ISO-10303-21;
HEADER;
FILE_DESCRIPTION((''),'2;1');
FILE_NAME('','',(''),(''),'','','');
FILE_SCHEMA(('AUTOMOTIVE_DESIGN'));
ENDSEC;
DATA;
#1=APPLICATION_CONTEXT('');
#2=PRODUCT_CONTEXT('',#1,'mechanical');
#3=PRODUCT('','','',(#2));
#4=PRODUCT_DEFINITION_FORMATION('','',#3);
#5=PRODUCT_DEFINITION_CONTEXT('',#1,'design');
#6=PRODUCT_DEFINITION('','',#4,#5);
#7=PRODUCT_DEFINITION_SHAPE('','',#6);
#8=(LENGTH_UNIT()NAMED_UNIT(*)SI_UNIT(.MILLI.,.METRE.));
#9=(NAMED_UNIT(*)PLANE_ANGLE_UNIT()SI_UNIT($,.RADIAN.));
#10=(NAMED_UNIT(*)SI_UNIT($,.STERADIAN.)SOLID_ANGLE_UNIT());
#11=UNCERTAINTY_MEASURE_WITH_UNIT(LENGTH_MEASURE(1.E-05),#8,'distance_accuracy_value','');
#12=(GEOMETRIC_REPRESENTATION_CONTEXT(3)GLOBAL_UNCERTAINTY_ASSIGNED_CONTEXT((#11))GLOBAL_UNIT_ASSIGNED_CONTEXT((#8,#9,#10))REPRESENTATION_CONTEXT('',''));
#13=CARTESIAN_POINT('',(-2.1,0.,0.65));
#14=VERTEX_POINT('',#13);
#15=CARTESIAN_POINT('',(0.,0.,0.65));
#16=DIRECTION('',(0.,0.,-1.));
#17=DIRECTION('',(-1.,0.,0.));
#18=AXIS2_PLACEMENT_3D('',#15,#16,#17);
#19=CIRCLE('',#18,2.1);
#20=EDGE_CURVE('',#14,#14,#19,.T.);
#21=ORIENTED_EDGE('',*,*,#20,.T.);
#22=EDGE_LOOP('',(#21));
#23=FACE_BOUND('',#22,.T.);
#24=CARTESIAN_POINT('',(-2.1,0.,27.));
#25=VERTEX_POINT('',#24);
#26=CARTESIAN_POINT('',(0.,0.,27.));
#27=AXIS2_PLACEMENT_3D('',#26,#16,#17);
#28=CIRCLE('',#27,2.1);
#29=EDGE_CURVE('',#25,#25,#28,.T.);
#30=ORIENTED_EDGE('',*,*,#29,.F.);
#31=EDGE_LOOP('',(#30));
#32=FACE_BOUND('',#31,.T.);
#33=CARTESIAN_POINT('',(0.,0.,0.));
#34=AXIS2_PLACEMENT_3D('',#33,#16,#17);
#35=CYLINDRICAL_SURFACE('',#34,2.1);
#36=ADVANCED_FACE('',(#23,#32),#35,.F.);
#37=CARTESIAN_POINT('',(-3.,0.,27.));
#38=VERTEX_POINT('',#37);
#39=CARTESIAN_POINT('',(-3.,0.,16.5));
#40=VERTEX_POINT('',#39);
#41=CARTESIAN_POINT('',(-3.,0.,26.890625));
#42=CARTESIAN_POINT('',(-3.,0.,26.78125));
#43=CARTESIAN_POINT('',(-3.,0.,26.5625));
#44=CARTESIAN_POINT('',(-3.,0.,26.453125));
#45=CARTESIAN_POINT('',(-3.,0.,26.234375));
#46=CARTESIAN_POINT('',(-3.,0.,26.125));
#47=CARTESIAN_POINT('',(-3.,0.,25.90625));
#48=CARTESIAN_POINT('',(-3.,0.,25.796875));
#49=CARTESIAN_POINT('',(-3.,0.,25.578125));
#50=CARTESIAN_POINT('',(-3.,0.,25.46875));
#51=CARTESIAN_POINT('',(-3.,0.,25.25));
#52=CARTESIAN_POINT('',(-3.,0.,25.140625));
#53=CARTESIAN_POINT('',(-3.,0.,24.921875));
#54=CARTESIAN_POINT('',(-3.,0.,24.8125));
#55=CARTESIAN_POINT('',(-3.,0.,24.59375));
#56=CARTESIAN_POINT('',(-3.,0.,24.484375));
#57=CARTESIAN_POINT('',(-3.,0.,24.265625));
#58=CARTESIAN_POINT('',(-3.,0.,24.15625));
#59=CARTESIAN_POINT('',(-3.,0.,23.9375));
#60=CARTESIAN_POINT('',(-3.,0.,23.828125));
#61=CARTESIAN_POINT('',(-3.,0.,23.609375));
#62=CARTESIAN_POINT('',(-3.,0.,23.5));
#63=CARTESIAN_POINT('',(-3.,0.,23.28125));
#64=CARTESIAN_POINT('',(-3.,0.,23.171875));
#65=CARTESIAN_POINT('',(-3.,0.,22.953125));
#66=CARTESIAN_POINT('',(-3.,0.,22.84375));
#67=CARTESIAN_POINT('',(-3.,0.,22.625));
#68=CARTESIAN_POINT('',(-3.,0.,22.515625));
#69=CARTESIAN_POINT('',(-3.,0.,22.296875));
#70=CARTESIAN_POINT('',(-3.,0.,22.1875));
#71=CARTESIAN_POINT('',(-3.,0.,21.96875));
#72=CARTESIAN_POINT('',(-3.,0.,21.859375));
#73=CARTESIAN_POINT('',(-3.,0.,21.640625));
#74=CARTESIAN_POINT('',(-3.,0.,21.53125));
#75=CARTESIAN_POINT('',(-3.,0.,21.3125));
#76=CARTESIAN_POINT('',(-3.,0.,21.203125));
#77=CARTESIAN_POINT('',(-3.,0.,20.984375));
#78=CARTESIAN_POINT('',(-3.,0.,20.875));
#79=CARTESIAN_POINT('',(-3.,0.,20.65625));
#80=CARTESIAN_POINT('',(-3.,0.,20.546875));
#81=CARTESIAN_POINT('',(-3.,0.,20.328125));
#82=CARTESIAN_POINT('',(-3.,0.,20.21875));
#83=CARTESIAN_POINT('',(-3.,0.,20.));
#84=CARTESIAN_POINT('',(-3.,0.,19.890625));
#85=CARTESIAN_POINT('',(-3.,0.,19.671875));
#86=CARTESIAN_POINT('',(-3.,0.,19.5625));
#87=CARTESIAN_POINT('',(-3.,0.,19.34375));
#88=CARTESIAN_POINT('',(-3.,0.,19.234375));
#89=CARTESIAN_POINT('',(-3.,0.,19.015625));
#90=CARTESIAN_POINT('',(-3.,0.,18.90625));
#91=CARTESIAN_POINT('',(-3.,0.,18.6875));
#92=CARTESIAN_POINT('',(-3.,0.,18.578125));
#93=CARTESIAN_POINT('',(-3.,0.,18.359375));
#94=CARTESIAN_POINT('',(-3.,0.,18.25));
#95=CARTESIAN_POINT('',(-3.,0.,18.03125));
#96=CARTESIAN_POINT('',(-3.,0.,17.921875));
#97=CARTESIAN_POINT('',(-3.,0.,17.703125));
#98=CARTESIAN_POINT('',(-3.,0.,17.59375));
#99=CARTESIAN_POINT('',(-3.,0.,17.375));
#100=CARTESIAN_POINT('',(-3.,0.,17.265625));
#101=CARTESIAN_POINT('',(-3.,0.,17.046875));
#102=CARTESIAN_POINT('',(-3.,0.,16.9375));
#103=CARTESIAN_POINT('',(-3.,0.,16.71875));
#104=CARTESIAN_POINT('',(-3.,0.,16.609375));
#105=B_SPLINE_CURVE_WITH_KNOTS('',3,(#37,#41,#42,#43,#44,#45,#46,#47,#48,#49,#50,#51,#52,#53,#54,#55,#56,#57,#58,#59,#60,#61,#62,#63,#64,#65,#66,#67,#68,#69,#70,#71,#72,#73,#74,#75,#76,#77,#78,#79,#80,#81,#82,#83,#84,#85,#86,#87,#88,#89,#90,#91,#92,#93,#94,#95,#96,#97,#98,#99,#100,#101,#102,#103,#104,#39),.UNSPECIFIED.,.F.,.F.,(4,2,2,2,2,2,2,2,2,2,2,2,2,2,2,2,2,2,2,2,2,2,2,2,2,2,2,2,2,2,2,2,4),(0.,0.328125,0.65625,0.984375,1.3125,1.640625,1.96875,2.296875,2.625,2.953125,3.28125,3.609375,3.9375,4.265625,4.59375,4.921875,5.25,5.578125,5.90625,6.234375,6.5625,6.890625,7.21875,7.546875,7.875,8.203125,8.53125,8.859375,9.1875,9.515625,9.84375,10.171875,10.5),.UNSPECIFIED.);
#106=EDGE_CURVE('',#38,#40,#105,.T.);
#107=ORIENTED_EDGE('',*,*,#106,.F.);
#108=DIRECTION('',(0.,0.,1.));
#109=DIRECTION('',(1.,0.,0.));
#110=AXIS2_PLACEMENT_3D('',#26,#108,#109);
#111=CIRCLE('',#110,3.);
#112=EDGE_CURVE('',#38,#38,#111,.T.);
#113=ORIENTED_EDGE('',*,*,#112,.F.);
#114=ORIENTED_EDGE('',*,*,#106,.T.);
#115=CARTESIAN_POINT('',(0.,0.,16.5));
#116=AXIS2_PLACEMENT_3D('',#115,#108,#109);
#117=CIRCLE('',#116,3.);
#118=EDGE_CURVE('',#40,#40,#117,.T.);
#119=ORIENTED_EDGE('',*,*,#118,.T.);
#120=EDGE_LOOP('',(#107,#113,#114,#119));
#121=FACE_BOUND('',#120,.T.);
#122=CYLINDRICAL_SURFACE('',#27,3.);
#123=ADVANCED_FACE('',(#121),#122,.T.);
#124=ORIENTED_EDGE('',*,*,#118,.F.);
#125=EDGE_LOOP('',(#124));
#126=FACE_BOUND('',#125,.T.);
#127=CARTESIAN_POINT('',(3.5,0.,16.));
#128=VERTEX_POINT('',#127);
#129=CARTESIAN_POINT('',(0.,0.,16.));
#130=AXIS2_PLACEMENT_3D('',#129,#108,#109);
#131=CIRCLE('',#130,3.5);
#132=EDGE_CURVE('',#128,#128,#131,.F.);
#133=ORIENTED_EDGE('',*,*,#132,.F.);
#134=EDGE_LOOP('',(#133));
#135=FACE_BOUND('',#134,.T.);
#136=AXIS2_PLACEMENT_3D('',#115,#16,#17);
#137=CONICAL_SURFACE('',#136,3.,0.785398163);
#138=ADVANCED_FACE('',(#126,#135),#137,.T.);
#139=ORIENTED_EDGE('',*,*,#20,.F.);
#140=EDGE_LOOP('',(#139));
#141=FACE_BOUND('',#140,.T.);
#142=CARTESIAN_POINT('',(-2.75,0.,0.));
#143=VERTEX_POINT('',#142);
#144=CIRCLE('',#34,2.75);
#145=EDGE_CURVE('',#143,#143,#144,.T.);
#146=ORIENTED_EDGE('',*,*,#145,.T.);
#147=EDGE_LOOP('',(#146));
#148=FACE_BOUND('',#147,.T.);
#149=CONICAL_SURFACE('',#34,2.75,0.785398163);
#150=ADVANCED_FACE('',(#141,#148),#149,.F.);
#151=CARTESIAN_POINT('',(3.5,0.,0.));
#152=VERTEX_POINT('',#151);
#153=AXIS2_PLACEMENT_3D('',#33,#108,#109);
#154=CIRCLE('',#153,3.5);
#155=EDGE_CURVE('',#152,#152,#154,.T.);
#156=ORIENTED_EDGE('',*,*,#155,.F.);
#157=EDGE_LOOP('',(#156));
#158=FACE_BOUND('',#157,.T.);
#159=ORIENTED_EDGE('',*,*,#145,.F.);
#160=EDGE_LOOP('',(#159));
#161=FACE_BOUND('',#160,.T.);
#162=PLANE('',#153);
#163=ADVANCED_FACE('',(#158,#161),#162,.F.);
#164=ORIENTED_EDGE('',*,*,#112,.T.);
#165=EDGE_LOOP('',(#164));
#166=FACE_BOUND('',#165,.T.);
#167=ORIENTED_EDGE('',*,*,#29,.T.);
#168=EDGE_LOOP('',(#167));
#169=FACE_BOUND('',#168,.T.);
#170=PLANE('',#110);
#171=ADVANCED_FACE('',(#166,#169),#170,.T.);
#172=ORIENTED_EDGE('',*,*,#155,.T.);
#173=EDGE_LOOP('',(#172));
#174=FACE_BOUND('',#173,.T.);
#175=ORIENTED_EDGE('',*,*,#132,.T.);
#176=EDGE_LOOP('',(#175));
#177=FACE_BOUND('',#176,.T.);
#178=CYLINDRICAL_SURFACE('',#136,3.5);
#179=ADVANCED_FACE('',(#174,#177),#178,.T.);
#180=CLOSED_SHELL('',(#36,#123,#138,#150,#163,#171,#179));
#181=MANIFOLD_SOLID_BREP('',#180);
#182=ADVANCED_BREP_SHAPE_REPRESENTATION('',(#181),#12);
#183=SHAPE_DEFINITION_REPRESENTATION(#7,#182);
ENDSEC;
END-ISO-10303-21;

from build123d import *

# Parameters (mm, degrees)
SKETCH1_R                                       = 3.5
BOSS_EXTRUDE1_DEPTH                             = 16.5
CHAMFER1_SIZE                                   = 0.5
SKETCH2_R                                       = 3
BOSS_EXTRUDE2_DEPTH                             = 10.5
CSK_FOR_M4_FLAT_HEAD_MACHINE_SCREW1_D           = 4.2
CSK_FOR_M4_FLAT_HEAD_MACHINE_SCREW1_CSINK_D     = 5.5
CSK_FOR_M4_FLAT_HEAD_MACHINE_SCREW1_CSINK_ANGLE = 90


with BuildPart() as part:
    # Sketch1 → Boss-Extrude1 (new body)
    with BuildSketch(Plane.XY):
        Circle(SKETCH1_R)
    extrude(amount=BOSS_EXTRUDE1_DEPTH)

    # Chamfer1
    chamfer1_edges = [part.edges().sort_by_distance(p)[0] for p in [
        (-3.5, 0, 16.5),
    ]]
    chamfer(chamfer1_edges, length=CHAMFER1_SIZE)

    # Sketch2 → Boss-Extrude2 (add)
    with BuildSketch(Plane.XY.offset(16.5)):
        with Locations(Location((0, 0, 0), (0, 0, 180))):
            Circle(SKETCH2_R)
    extrude(amount=BOSS_EXTRUDE2_DEPTH)

    # CSK for M4 Flat Head Machine Screw1 (through all)
    with Locations(Plane(origin=(0, 0, 0), x_dir=(-1, 0, 0), z_dir=(0, 0, -1))):
        with Locations((0, 0)):
            CounterSinkHole(CSK_FOR_M4_FLAT_HEAD_MACHINE_SCREW1_D / 2, CSK_FOR_M4_FLAT_HEAD_MACHINE_SCREW1_CSINK_D / 2, counter_sink_angle=CSK_FOR_M4_FLAT_HEAD_MACHINE_SCREW1_CSINK_ANGLE)


solid = part.part
